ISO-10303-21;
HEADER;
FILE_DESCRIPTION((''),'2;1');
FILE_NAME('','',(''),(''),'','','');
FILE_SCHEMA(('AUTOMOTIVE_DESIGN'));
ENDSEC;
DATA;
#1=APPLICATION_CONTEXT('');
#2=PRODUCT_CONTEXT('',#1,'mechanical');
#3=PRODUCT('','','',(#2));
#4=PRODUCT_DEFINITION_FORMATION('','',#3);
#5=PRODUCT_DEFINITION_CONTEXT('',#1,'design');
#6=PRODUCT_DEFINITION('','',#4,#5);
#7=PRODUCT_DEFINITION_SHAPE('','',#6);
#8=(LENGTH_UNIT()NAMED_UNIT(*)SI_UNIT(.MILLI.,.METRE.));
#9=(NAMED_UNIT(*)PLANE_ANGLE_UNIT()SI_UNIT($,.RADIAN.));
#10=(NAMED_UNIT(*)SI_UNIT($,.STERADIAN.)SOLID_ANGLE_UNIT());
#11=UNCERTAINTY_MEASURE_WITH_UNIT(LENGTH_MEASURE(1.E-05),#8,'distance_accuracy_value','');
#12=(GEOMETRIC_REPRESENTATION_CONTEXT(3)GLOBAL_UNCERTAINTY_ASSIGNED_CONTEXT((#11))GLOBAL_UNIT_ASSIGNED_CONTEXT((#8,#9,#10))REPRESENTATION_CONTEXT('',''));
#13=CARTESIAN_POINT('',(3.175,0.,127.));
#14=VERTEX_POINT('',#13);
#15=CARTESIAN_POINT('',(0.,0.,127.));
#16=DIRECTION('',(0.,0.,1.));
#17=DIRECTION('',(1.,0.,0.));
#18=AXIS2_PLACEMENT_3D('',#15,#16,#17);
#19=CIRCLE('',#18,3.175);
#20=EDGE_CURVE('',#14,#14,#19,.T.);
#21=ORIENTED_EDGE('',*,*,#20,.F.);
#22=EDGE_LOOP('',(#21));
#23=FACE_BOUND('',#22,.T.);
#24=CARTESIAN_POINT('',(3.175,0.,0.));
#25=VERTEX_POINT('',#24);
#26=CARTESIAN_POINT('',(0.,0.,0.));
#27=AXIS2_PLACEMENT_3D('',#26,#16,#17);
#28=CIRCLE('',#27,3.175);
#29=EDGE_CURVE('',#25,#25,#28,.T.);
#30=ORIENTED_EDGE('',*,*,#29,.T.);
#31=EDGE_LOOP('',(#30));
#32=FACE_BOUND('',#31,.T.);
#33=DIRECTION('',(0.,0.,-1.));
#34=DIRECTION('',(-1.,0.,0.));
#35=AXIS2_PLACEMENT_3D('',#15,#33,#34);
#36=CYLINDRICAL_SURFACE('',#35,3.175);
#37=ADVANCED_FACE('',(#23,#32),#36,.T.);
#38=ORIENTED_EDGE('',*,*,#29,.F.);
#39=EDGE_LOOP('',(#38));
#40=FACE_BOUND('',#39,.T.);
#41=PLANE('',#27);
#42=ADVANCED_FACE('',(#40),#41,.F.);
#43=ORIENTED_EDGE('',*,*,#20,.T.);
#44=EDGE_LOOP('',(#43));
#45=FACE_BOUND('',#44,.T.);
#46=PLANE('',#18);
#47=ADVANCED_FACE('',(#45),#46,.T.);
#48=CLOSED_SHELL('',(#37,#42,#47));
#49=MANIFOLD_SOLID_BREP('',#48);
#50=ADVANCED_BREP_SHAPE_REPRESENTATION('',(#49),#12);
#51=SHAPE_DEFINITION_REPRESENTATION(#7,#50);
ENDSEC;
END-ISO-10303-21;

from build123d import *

# Parameters (mm, degrees)
SKETCH1_R           = 3.175
BOSS_EXTRUDE1_DEPTH = 127


with BuildPart() as part:
    # Sketch1 → Boss-Extrude1 (new body)
    with BuildSketch(Plane.XY):
        Circle(SKETCH1_R)
    extrude(amount=BOSS_EXTRUDE1_DEPTH)


solid = part.part
